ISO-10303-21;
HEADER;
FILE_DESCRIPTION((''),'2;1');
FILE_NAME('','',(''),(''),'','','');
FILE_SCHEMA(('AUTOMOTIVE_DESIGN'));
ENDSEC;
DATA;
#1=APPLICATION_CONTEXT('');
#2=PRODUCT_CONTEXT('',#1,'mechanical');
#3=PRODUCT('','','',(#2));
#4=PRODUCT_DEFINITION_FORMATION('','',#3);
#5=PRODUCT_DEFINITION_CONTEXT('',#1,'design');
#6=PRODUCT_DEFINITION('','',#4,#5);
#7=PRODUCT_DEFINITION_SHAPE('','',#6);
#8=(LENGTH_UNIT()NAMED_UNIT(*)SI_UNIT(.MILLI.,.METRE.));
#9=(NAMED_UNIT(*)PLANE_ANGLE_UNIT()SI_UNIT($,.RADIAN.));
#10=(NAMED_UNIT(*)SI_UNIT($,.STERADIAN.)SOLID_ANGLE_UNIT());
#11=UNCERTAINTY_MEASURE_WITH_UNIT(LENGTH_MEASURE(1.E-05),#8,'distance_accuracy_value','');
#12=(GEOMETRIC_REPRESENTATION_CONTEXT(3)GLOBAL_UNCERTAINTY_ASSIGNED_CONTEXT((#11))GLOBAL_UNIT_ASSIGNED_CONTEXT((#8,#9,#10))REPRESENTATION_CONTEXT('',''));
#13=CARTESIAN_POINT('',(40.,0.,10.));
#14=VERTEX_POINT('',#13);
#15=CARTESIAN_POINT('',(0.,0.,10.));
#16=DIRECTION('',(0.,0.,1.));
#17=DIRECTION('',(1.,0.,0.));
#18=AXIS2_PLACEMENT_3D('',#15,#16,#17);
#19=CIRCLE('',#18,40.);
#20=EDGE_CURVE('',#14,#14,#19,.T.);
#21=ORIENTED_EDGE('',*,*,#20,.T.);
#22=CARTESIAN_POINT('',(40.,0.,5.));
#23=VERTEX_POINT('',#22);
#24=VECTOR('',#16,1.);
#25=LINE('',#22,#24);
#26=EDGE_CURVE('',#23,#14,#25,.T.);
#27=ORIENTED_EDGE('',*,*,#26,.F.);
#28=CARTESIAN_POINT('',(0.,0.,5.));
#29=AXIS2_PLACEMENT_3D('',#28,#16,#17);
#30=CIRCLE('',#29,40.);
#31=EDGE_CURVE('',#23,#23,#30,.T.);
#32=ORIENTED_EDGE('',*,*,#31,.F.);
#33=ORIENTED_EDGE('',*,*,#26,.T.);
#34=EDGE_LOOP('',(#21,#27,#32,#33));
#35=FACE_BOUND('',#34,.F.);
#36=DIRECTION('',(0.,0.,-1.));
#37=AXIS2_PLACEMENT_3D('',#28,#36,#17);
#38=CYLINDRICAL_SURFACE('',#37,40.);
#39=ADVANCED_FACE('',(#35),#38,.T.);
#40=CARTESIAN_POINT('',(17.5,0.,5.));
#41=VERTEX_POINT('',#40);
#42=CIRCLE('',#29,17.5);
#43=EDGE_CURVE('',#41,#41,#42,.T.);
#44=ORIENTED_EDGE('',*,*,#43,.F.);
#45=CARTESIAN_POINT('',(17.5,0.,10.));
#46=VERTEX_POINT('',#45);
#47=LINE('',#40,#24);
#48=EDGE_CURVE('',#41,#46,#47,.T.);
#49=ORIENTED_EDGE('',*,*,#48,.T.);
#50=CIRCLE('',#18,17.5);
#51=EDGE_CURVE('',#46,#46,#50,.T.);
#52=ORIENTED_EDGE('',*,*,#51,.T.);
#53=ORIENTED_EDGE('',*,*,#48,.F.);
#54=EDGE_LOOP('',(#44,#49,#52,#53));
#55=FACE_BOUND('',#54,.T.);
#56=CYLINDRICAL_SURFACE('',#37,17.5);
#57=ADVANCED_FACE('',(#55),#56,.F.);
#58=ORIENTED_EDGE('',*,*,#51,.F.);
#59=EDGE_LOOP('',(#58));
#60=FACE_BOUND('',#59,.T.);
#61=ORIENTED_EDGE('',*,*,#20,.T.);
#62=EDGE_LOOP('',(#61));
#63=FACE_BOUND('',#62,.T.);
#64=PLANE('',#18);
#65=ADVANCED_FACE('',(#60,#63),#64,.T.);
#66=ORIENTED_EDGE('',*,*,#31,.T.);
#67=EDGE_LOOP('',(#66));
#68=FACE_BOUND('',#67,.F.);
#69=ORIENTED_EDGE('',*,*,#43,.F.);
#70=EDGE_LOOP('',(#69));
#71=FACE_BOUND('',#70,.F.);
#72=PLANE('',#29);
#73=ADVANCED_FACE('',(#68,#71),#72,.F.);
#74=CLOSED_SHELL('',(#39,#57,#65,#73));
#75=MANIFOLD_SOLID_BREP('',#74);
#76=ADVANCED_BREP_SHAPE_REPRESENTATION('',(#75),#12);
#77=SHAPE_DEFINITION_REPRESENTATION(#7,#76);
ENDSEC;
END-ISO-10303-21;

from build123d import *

# Parameters (mm, degrees)
F0_R     = 290
F1_DEPTH = 5
F2_R     = 11
F3_DEPTH = 25
F4_DEPTH = 80
F5_R     = 150.146942
F5_R_2   = 11.5
F6_DEPTH = 5
F7_R     = 40
F7_R_2   = 17.5
F8_DEPTH = 5


with BuildPart() as f1:
    # F0 (on Top) → F1 (new body)
    with BuildSketch(Plane.XY):
        Circle(F0_R)
        with BuildLine():
            Line((-60.906023, -273.295548), (-40.174253, -195.923529))
            ThreePointArc((-40.174253, -195.923529), (-20.190272, -198.978273), (0, -200))
            Line((0, -200), (0, -280))
            ThreePointArc((0, -280), (-30.63696, -278.31884), (-60.906023, -273.295548))
        make_face(mode=Mode.SUBTRACT)
        with BuildLine():
            Line((-189.393937, -206.227875), (-132.753689, -149.587627))
            ThreePointArc((-132.753689, -149.587627), (-116.974424, -162.225103), (-100, -173.205081))
            Line((-100, -173.205081), (-140, -242.487113))
            ThreePointArc((-140, -242.487113), (-165.691806, -225.712706), (-189.393937, -206.227875))
        make_face(mode=Mode.SUBTRACT)
        with BuildLine():
            Line((-267.133899, -83.90161), (-189.76188, -63.169841))
            ThreePointArc((-189.76188, -63.169841), (-182.415375, -82.003848), (-173.205081, -100))
            Line((-173.205081, -100), (-242.487113, -140))
            ThreePointArc((-242.487113, -140), (-256.349666, -112.627034), (-267.133899, -83.90161))
        make_face(mode=Mode.SUBTRACT)
        with BuildLine():
            Line((-87.898705, -104.754322), (-73.813276, -87.967845))
            ThreePointArc((-73.813276, -87.967845), (-70.698431, -90.490183), (-67.49746, -92.902284))
            Line((-67.49746, -92.902284), (-80.377673, -110.630376))
            ThreePointArc((-80.377673, -110.630376), (-84.18947, -107.757986), (-87.898705, -104.754322))
        make_face(mode=Mode.SUBTRACT)
        with BuildLine():
            Line((-103.203713, -89.714236), (-86.665715, -75.337875))
            ThreePointArc((-86.665715, -75.337875), (-83.9838, -78.316428), (-81.199573, -81.199573))
            Line((-81.199573, -81.199573), (-96.694494, -96.694494))
            ThreePointArc((-96.694494, -96.694494), (-100.010021, -93.261172), (-103.203713, -89.714236))
        make_face(mode=Mode.SUBTRACT)
        with BuildLine():
            Line((-70.42934, -117.21501), (-59.143309, -98.431755))
            ThreePointArc((-59.143309, -98.431755), (-55.672233, -100.43577), (-52.133335, -102.317432))
            Line((-52.133335, -102.317432), (-62.081687, -121.842171))
            ThreePointArc((-62.081687, -121.842171), (-66.295895, -119.601441), (-70.42934, -117.21501))
        make_face(mode=Mode.SUBTRACT)
        with BuildLine():
            Line((-51.225771, -126.789475), (-43.017038, -106.471949))
            ThreePointArc((-43.017038, -106.471949), (-39.275199, -107.908295), (-35.485515, -109.213185))
            Line((-35.485515, -109.213185), (-42.257043, -130.053807))
            ThreePointArc((-42.257043, -130.053807), (-46.769895, -128.499912), (-51.225771, -126.789475))
        make_face(mode=Mode.SUBTRACT)
        with BuildLine():
            Line((-30.760853, -133.241962), (-25.831544, -111.89045))
            ThreePointArc((-25.831544, -111.89045), (-21.91108, -112.72376), (-17.963923, -113.419747))
            Line((-17.963923, -113.419747), (-21.391891, -135.063087))
            ThreePointArc((-21.391891, -135.063087), (-26.092265, -134.234288), (-30.760853, -133.241962))
        make_face(mode=Mode.SUBTRACT)
        with BuildLine():
            Line((-9.538501, -136.41359), (-8.009993, -114.553837))
            ThreePointArc((-8.009993, -114.553837), (-4.007437, -114.763591), (0, -114.833538))
            Line((0, -114.833538), (0, -136.746665))
            ThreePointArc((0, -136.746665), (-4.772157, -136.663371), (-9.538501, -136.41359))
        make_face(mode=Mode.SUBTRACT)
        with BuildLine():
            Line((-125.875787, -53.431607), (-105.704676, -44.869398))
            ThreePointArc((-105.704676, -44.869398), (-104.074447, -48.530927), (-102.317432, -52.133335))
            Line((-102.317432, -52.133335), (-121.842171, -62.081687))
            ThreePointArc((-121.842171, -62.081687), (-123.934469, -57.791849), (-125.875787, -53.431607))
        make_face(mode=Mode.SUBTRACT)
        with BuildLine():
            Line((-115.967502, -72.465087), (-97.384156, -60.852836))
            ThreePointArc((-97.384156, -60.852836), (-95.201208, -64.214262), (-92.902284, -67.49746))
            Line((-92.902284, -67.49746), (-110.630376, -80.377673))
            ThreePointArc((-110.630376, -80.377673), (-113.367993, -76.467958), (-115.967502, -72.465087))
        make_face(mode=Mode.SUBTRACT)
        with BuildLine():
            Line((-132.684592, -33.082464), (-111.422397, -27.781127))
            ThreePointArc((-111.422397, -27.781127), (-110.385028, -31.652601), (-109.213185, -35.485515))
            Line((-109.213185, -35.485515), (-130.053807, -42.257043))
            ThreePointArc((-130.053807, -42.257043), (-131.449267, -37.692713), (-132.684592, -33.082464))
        make_face(mode=Mode.SUBTRACT)
        with BuildLine():
            Line((-136.226262, -11.918721), (-114.396528, -10.008792))
            ThreePointArc((-114.396528, -10.008792), (-113.977562, -13.994882), (-113.419747, -17.963923))
            Line((-113.419747, -17.963923), (-135.063087, -21.391891))
            ThreePointArc((-135.063087, -21.391891), (-135.727348, -16.665457), (-136.226262, -11.918721))
        make_face(mode=Mode.SUBTRACT)
        with BuildLine():
            Line((83.90161, -267.133899), (63.169841, -189.76188))
            ThreePointArc((63.169841, -189.76188), (82.003848, -182.415375), (100, -173.205081))
            Line((100, -173.205081), (140, -242.487113))
            ThreePointArc((140, -242.487113), (112.627034, -256.349666), (83.90161, -267.133899))
        make_face(mode=Mode.SUBTRACT)
        with BuildLine():
            Line((11.918721, -136.226262), (10.008792, -114.396528))
            ThreePointArc((10.008792, -114.396528), (13.994882, -113.977562), (17.963923, -113.419747))
            Line((17.963923, -113.419747), (21.391891, -135.063087))
            ThreePointArc((21.391891, -135.063087), (16.665457, -135.727348), (11.918721, -136.226262))
        make_face(mode=Mode.SUBTRACT)
        with BuildLine():
            Line((33.082464, -132.684592), (27.781127, -111.422397))
            ThreePointArc((27.781127, -111.422397), (31.652601, -110.385028), (35.485515, -109.213185))
            Line((35.485515, -109.213185), (42.257043, -130.053807))
            ThreePointArc((42.257043, -130.053807), (37.692713, -131.449267), (33.082464, -132.684592))
        make_face(mode=Mode.SUBTRACT)
        with BuildLine():
            Line((53.431607, -125.875787), (44.869398, -105.704676))
            ThreePointArc((44.869398, -105.704676), (48.530927, -104.074447), (52.133335, -102.317432))
            Line((52.133335, -102.317432), (62.081687, -121.842171))
            ThreePointArc((62.081687, -121.842171), (57.791849, -123.934469), (53.431607, -125.875787))
        make_face(mode=Mode.SUBTRACT)
        with BuildLine():
            Line((72.465087, -115.967502), (60.852836, -97.384156))
            ThreePointArc((60.852836, -97.384156), (64.214262, -95.201208), (67.49746, -92.902284))
            Line((67.49746, -92.902284), (80.377673, -110.630376))
            ThreePointArc((80.377673, -110.630376), (76.467958, -113.367993), (72.465087, -115.967502))
        make_face(mode=Mode.SUBTRACT)
        with BuildLine():
            Line((89.714236, -103.203713), (75.337875, -86.665715))
            ThreePointArc((75.337875, -86.665715), (78.316428, -83.9838), (81.199573, -81.199573))
            Line((81.199573, -81.199573), (96.694494, -96.694494))
            ThreePointArc((96.694494, -96.694494), (93.261172, -100.010021), (89.714236, -103.203713))
        make_face(mode=Mode.SUBTRACT)
        with BuildLine():
            Line((104.754322, -87.898705), (87.967845, -73.813276))
            ThreePointArc((87.967845, -73.813276), (90.490183, -70.698431), (92.902284, -67.49746))
            Line((92.902284, -67.49746), (110.630376, -80.377673))
            ThreePointArc((110.630376, -80.377673), (107.757986, -84.18947), (104.754322, -87.898705))
        make_face(mode=Mode.SUBTRACT)
        with BuildLine():
            Line((117.21501, -70.42934), (98.431755, -59.143309))
            ThreePointArc((98.431755, -59.143309), (100.43577, -55.672233), (102.317432, -52.133335))
            Line((102.317432, -52.133335), (121.842171, -62.081687))
            ThreePointArc((121.842171, -62.081687), (119.601441, -66.295895), (117.21501, -70.42934))
        make_face(mode=Mode.SUBTRACT)
        with BuildLine():
            Line((126.789475, -51.225771), (106.471949, -43.017038))
            ThreePointArc((106.471949, -43.017038), (107.908295, -39.275199), (109.213185, -35.485515))
            Line((109.213185, -35.485515), (130.053807, -42.257043))
            ThreePointArc((130.053807, -42.257043), (128.499912, -46.769895), (126.789475, -51.225771))
        make_face(mode=Mode.SUBTRACT)
        with BuildLine():
            Line((133.241962, -30.760853), (111.89045, -25.831544))
            ThreePointArc((111.89045, -25.831544), (112.72376, -21.91108), (113.419747, -17.963923))
            Line((113.419747, -17.963923), (135.063087, -21.391891))
            ThreePointArc((135.063087, -21.391891), (134.234288, -26.092265), (133.241962, -30.760853))
        make_face(mode=Mode.SUBTRACT)
        with BuildLine():
            Line((136.41359, -9.538501), (114.553837, -8.009993))
            ThreePointArc((114.553837, -8.009993), (114.763591, -4.007437), (114.833538, 0))
            Line((114.833538, 0), (136.746665, 0))
            ThreePointArc((136.746665, 0), (136.663371, -4.772157), (136.41359, -9.538501))
        make_face(mode=Mode.SUBTRACT)
        with BuildLine():
            Line((206.227875, -189.393937), (149.587627, -132.753689))
            ThreePointArc((149.587627, -132.753689), (162.225103, -116.974424), (173.205081, -100))
            Line((173.205081, -100), (242.487113, -140))
            ThreePointArc((242.487113, -140), (225.712706, -165.691806), (206.227875, -189.393937))
        make_face(mode=Mode.SUBTRACT)
        with BuildLine():
            Line((273.295548, -60.906023), (195.923529, -40.174253))
            ThreePointArc((195.923529, -40.174253), (198.978273, -20.190272), (200, 0))
            Line((200, 0), (280, 0))
            ThreePointArc((280, 0), (278.31884, -30.63696), (273.295548, -60.906023))
        make_face(mode=Mode.SUBTRACT)
        with BuildLine():
            Line((-273.295548, 60.906023), (-195.923529, 40.174253))
            ThreePointArc((-195.923529, 40.174253), (-198.978273, 20.190272), (-200, 0))
            Line((-200, 0), (-280, 0))
            ThreePointArc((-280, 0), (-278.31884, 30.63696), (-273.295548, 60.906023))
        make_face(mode=Mode.SUBTRACT)
        with BuildLine():
            Line((-206.227875, 189.393937), (-149.587627, 132.753689))
            ThreePointArc((-149.587627, 132.753689), (-162.225103, 116.974424), (-173.205081, 100))
            Line((-173.205081, 100), (-242.487113, 140))
            ThreePointArc((-242.487113, 140), (-225.712706, 165.691806), (-206.227875, 189.393937))
        make_face(mode=Mode.SUBTRACT)
        with BuildLine():
            Line((-136.41359, 9.538501), (-114.553837, 8.009993))
            ThreePointArc((-114.553837, 8.009993), (-114.763591, 4.007437), (-114.833538, 0))
            Line((-114.833538, 0), (-136.746665, 0))
            ThreePointArc((-136.746665, 0), (-136.663371, 4.772157), (-136.41359, 9.538501))
        make_face(mode=Mode.SUBTRACT)
        with BuildLine():
            Line((-133.241962, 30.760853), (-111.89045, 25.831544))
            ThreePointArc((-111.89045, 25.831544), (-112.72376, 21.91108), (-113.419747, 17.963923))
            Line((-113.419747, 17.963923), (-135.063087, 21.391891))
            ThreePointArc((-135.063087, 21.391891), (-134.234288, 26.092265), (-133.241962, 30.760853))
        make_face(mode=Mode.SUBTRACT)
        with BuildLine():
            Line((-126.789475, 51.225771), (-106.471949, 43.017038))
            ThreePointArc((-106.471949, 43.017038), (-107.908295, 39.275199), (-109.213185, 35.485515))
            Line((-109.213185, 35.485515), (-130.053807, 42.257043))
            ThreePointArc((-130.053807, 42.257043), (-128.499912, 46.769895), (-126.789475, 51.225771))
        make_face(mode=Mode.SUBTRACT)
        with BuildLine():
            Line((-117.21501, 70.42934), (-98.431755, 59.143309))
            ThreePointArc((-98.431755, 59.143309), (-100.43577, 55.672233), (-102.317432, 52.133335))
            Line((-102.317432, 52.133335), (-121.842171, 62.081687))
            ThreePointArc((-121.842171, 62.081687), (-119.601441, 66.295895), (-117.21501, 70.42934))
        make_face(mode=Mode.SUBTRACT)
        with BuildLine():
            Line((-104.754322, 87.898705), (-87.967845, 73.813276))
            ThreePointArc((-87.967845, 73.813276), (-90.490183, 70.698431), (-92.902284, 67.49746))
            Line((-92.902284, 67.49746), (-110.630376, 80.377673))
            ThreePointArc((-110.630376, 80.377673), (-107.757986, 84.18947), (-104.754322, 87.898705))
        make_face(mode=Mode.SUBTRACT)
        with BuildLine():
            Line((-89.714236, 103.203713), (-75.337875, 86.665715))
            ThreePointArc((-75.337875, 86.665715), (-78.316428, 83.9838), (-81.199573, 81.199573))
            Line((-81.199573, 81.199573), (-96.694494, 96.694494))
            ThreePointArc((-96.694494, 96.694494), (-93.261172, 100.010021), (-89.714236, 103.203713))
        make_face(mode=Mode.SUBTRACT)
        with BuildLine():
            Line((-72.465087, 115.967502), (-60.852836, 97.384156))
            ThreePointArc((-60.852836, 97.384156), (-64.214262, 95.201208), (-67.49746, 92.902284))
            Line((-67.49746, 92.902284), (-80.377673, 110.630376))
            ThreePointArc((-80.377673, 110.630376), (-76.467958, 113.367993), (-72.465087, 115.967502))
        make_face(mode=Mode.SUBTRACT)
        with BuildLine():
            Line((-53.431607, 125.875787), (-44.869398, 105.704676))
            ThreePointArc((-44.869398, 105.704676), (-48.530927, 104.074447), (-52.133335, 102.317432))
            Line((-52.133335, 102.317432), (-62.081687, 121.842171))
            ThreePointArc((-62.081687, 121.842171), (-57.791849, 123.934469), (-53.431607, 125.875787))
        make_face(mode=Mode.SUBTRACT)
        with BuildLine():
            Line((-33.082464, 132.684592), (-27.781127, 111.422397))
            ThreePointArc((-27.781127, 111.422397), (-31.652601, 110.385028), (-35.485515, 109.213185))
            Line((-35.485515, 109.213185), (-42.257043, 130.053807))
            ThreePointArc((-42.257043, 130.053807), (-37.692713, 131.449267), (-33.082464, 132.684592))
        make_face(mode=Mode.SUBTRACT)
        with BuildLine():
            Line((-11.918721, 136.226262), (-10.008792, 114.396528))
            ThreePointArc((-10.008792, 114.396528), (-13.994882, 113.977562), (-17.963923, 113.419747))
            Line((-17.963923, 113.419747), (-21.391891, 135.063087))
            ThreePointArc((-21.391891, 135.063087), (-16.665457, 135.727348), (-11.918721, 136.226262))
        make_face(mode=Mode.SUBTRACT)
        with BuildLine():
            Line((-83.90161, 267.133899), (-63.169841, 189.76188))
            ThreePointArc((-63.169841, 189.76188), (-82.003848, 182.415375), (-100, 173.205081))
            Line((-100, 173.205081), (-140, 242.487113))
            ThreePointArc((-140, 242.487113), (-112.627034, 256.349666), (-83.90161, 267.133899))
        make_face(mode=Mode.SUBTRACT)
        Polygon((5, 5), (5, -5), (-5, -5), (-5, 5), (0, 5), align=None, mode=Mode.SUBTRACT)
        with BuildLine():
            Line((136.226262, 11.918721), (114.396528, 10.008792))
            ThreePointArc((114.396528, 10.008792), (113.977562, 13.994882), (113.419747, 17.963923))
            Line((113.419747, 17.963923), (135.063087, 21.391891))
            ThreePointArc((135.063087, 21.391891), (135.727348, 16.665457), (136.226262, 11.918721))
        make_face(mode=Mode.SUBTRACT)
        with BuildLine():
            Line((132.684592, 33.082464), (111.422397, 27.781127))
            ThreePointArc((111.422397, 27.781127), (110.385028, 31.652601), (109.213185, 35.485515))
            Line((109.213185, 35.485515), (130.053807, 42.257043))
            ThreePointArc((130.053807, 42.257043), (131.449267, 37.692713), (132.684592, 33.082464))
        make_face(mode=Mode.SUBTRACT)
        with BuildLine():
            Line((115.967502, 72.465087), (97.384156, 60.852836))
            ThreePointArc((97.384156, 60.852836), (95.201208, 64.214262), (92.902284, 67.49746))
            Line((92.902284, 67.49746), (110.630376, 80.377673))
            ThreePointArc((110.630376, 80.377673), (113.367993, 76.467958), (115.967502, 72.465087))
        make_face(mode=Mode.SUBTRACT)
        with BuildLine():
            Line((125.875787, 53.431607), (105.704676, 44.869398))
            ThreePointArc((105.704676, 44.869398), (104.074447, 48.530927), (102.317432, 52.133335))
            Line((102.317432, 52.133335), (121.842171, 62.081687))
            ThreePointArc((121.842171, 62.081687), (123.934469, 57.791849), (125.875787, 53.431607))
        make_face(mode=Mode.SUBTRACT)
        with BuildLine():
            ThreePointArc((0, 136.746665), (4.772157, 136.663371), (9.538501, 136.41359))
            Line((9.538501, 136.41359), (8.009993, 114.553837))
            ThreePointArc((8.009993, 114.553837), (4.007437, 114.763591), (0, 114.833538))
            Line((0, 114.833538), (0, 136.746665))
        make_face(mode=Mode.SUBTRACT)
        with BuildLine():
            Line((30.760853, 133.241962), (25.831544, 111.89045))
            ThreePointArc((25.831544, 111.89045), (21.91108, 112.72376), (17.963923, 113.419747))
            Line((17.963923, 113.419747), (21.391891, 135.063087))
            ThreePointArc((21.391891, 135.063087), (26.092265, 134.234288), (30.760853, 133.241962))
        make_face(mode=Mode.SUBTRACT)
        with BuildLine():
            Line((51.225771, 126.789475), (43.017038, 106.471949))
            ThreePointArc((43.017038, 106.471949), (39.275199, 107.908295), (35.485515, 109.213185))
            Line((35.485515, 109.213185), (42.257043, 130.053807))
            ThreePointArc((42.257043, 130.053807), (46.769895, 128.499912), (51.225771, 126.789475))
        make_face(mode=Mode.SUBTRACT)
        with BuildLine():
            Line((70.42934, 117.21501), (59.143309, 98.431755))
            ThreePointArc((59.143309, 98.431755), (55.672233, 100.43577), (52.133335, 102.317432))
            Line((52.133335, 102.317432), (62.081687, 121.842171))
            ThreePointArc((62.081687, 121.842171), (66.295895, 119.601441), (70.42934, 117.21501))
        make_face(mode=Mode.SUBTRACT)
        with BuildLine():
            Line((103.203713, 89.714236), (86.665715, 75.337875))
            ThreePointArc((86.665715, 75.337875), (83.9838, 78.316428), (81.199573, 81.199573))
            Line((81.199573, 81.199573), (96.694494, 96.694494))
            ThreePointArc((96.694494, 96.694494), (100.010021, 93.261172), (103.203713, 89.714236))
        make_face(mode=Mode.SUBTRACT)
        with BuildLine():
            Line((87.898705, 104.754322), (73.813276, 87.967845))
            ThreePointArc((73.813276, 87.967845), (70.698431, 90.490183), (67.49746, 92.902284))
            Line((67.49746, 92.902284), (80.377673, 110.630376))
            ThreePointArc((80.377673, 110.630376), (84.18947, 107.757986), (87.898705, 104.754322))
        make_face(mode=Mode.SUBTRACT)
        with BuildLine():
            Line((267.133899, 83.90161), (189.76188, 63.169841))
            ThreePointArc((189.76188, 63.169841), (182.415375, 82.003848), (173.205081, 100))
            Line((173.205081, 100), (242.487113, 140))
            ThreePointArc((242.487113, 140), (256.349666, 112.627034), (267.133899, 83.90161))
        make_face(mode=Mode.SUBTRACT)
        with BuildLine():
            Line((189.393937, 206.227875), (132.753689, 149.587627))
            ThreePointArc((132.753689, 149.587627), (116.974424, 162.225103), (100, 173.205081))
            Line((100, 173.205081), (140, 242.487113))
            ThreePointArc((140, 242.487113), (165.691806, 225.712706), (189.393937, 206.227875))
        make_face(mode=Mode.SUBTRACT)
        with BuildLine():
            Line((60.906023, 273.295548), (40.174253, 195.923529))
            ThreePointArc((40.174253, 195.923529), (20.190272, 198.978273), (0, 200))
            Line((0, 200), (0, 280))
            ThreePointArc((0, 280), (30.63696, 278.31884), (60.906023, 273.295548))
        make_face(mode=Mode.SUBTRACT)
        Polygon((-5, -5), (5, -5), (5, 5), (0, 5), (-5, 5), align=None)
    extrude(amount=F1_DEPTH)

    # F2 (on face) → F3 (cut)
    with BuildSketch(Plane.XY.offset(5)):
        Circle(F2_R)
    extrude(amount=-F3_DEPTH, mode=Mode.SUBTRACT)

    # F5 (on face) → F6 (join)
    with BuildSketch(Plane.XY.offset(5)):
        Circle(F5_R)
        Circle(F5_R_2, mode=Mode.SUBTRACT)
    extrude(amount=-F6_DEPTH)


with BuildPart() as f4:
    # F2 (on face) → F4 (new body)
    with BuildSketch(Plane.XY.offset(5)):
        Circle(F2_R)
    extrude(amount=F4_DEPTH)


with BuildPart() as f8:
    # F7 (on face) → F8 (new body)
    with BuildSketch(Plane.XY.offset(5)):
        Circle(F7_R)
        Circle(F7_R_2, mode=Mode.SUBTRACT)
    extrude(amount=F8_DEPTH)


solid = f8.part
